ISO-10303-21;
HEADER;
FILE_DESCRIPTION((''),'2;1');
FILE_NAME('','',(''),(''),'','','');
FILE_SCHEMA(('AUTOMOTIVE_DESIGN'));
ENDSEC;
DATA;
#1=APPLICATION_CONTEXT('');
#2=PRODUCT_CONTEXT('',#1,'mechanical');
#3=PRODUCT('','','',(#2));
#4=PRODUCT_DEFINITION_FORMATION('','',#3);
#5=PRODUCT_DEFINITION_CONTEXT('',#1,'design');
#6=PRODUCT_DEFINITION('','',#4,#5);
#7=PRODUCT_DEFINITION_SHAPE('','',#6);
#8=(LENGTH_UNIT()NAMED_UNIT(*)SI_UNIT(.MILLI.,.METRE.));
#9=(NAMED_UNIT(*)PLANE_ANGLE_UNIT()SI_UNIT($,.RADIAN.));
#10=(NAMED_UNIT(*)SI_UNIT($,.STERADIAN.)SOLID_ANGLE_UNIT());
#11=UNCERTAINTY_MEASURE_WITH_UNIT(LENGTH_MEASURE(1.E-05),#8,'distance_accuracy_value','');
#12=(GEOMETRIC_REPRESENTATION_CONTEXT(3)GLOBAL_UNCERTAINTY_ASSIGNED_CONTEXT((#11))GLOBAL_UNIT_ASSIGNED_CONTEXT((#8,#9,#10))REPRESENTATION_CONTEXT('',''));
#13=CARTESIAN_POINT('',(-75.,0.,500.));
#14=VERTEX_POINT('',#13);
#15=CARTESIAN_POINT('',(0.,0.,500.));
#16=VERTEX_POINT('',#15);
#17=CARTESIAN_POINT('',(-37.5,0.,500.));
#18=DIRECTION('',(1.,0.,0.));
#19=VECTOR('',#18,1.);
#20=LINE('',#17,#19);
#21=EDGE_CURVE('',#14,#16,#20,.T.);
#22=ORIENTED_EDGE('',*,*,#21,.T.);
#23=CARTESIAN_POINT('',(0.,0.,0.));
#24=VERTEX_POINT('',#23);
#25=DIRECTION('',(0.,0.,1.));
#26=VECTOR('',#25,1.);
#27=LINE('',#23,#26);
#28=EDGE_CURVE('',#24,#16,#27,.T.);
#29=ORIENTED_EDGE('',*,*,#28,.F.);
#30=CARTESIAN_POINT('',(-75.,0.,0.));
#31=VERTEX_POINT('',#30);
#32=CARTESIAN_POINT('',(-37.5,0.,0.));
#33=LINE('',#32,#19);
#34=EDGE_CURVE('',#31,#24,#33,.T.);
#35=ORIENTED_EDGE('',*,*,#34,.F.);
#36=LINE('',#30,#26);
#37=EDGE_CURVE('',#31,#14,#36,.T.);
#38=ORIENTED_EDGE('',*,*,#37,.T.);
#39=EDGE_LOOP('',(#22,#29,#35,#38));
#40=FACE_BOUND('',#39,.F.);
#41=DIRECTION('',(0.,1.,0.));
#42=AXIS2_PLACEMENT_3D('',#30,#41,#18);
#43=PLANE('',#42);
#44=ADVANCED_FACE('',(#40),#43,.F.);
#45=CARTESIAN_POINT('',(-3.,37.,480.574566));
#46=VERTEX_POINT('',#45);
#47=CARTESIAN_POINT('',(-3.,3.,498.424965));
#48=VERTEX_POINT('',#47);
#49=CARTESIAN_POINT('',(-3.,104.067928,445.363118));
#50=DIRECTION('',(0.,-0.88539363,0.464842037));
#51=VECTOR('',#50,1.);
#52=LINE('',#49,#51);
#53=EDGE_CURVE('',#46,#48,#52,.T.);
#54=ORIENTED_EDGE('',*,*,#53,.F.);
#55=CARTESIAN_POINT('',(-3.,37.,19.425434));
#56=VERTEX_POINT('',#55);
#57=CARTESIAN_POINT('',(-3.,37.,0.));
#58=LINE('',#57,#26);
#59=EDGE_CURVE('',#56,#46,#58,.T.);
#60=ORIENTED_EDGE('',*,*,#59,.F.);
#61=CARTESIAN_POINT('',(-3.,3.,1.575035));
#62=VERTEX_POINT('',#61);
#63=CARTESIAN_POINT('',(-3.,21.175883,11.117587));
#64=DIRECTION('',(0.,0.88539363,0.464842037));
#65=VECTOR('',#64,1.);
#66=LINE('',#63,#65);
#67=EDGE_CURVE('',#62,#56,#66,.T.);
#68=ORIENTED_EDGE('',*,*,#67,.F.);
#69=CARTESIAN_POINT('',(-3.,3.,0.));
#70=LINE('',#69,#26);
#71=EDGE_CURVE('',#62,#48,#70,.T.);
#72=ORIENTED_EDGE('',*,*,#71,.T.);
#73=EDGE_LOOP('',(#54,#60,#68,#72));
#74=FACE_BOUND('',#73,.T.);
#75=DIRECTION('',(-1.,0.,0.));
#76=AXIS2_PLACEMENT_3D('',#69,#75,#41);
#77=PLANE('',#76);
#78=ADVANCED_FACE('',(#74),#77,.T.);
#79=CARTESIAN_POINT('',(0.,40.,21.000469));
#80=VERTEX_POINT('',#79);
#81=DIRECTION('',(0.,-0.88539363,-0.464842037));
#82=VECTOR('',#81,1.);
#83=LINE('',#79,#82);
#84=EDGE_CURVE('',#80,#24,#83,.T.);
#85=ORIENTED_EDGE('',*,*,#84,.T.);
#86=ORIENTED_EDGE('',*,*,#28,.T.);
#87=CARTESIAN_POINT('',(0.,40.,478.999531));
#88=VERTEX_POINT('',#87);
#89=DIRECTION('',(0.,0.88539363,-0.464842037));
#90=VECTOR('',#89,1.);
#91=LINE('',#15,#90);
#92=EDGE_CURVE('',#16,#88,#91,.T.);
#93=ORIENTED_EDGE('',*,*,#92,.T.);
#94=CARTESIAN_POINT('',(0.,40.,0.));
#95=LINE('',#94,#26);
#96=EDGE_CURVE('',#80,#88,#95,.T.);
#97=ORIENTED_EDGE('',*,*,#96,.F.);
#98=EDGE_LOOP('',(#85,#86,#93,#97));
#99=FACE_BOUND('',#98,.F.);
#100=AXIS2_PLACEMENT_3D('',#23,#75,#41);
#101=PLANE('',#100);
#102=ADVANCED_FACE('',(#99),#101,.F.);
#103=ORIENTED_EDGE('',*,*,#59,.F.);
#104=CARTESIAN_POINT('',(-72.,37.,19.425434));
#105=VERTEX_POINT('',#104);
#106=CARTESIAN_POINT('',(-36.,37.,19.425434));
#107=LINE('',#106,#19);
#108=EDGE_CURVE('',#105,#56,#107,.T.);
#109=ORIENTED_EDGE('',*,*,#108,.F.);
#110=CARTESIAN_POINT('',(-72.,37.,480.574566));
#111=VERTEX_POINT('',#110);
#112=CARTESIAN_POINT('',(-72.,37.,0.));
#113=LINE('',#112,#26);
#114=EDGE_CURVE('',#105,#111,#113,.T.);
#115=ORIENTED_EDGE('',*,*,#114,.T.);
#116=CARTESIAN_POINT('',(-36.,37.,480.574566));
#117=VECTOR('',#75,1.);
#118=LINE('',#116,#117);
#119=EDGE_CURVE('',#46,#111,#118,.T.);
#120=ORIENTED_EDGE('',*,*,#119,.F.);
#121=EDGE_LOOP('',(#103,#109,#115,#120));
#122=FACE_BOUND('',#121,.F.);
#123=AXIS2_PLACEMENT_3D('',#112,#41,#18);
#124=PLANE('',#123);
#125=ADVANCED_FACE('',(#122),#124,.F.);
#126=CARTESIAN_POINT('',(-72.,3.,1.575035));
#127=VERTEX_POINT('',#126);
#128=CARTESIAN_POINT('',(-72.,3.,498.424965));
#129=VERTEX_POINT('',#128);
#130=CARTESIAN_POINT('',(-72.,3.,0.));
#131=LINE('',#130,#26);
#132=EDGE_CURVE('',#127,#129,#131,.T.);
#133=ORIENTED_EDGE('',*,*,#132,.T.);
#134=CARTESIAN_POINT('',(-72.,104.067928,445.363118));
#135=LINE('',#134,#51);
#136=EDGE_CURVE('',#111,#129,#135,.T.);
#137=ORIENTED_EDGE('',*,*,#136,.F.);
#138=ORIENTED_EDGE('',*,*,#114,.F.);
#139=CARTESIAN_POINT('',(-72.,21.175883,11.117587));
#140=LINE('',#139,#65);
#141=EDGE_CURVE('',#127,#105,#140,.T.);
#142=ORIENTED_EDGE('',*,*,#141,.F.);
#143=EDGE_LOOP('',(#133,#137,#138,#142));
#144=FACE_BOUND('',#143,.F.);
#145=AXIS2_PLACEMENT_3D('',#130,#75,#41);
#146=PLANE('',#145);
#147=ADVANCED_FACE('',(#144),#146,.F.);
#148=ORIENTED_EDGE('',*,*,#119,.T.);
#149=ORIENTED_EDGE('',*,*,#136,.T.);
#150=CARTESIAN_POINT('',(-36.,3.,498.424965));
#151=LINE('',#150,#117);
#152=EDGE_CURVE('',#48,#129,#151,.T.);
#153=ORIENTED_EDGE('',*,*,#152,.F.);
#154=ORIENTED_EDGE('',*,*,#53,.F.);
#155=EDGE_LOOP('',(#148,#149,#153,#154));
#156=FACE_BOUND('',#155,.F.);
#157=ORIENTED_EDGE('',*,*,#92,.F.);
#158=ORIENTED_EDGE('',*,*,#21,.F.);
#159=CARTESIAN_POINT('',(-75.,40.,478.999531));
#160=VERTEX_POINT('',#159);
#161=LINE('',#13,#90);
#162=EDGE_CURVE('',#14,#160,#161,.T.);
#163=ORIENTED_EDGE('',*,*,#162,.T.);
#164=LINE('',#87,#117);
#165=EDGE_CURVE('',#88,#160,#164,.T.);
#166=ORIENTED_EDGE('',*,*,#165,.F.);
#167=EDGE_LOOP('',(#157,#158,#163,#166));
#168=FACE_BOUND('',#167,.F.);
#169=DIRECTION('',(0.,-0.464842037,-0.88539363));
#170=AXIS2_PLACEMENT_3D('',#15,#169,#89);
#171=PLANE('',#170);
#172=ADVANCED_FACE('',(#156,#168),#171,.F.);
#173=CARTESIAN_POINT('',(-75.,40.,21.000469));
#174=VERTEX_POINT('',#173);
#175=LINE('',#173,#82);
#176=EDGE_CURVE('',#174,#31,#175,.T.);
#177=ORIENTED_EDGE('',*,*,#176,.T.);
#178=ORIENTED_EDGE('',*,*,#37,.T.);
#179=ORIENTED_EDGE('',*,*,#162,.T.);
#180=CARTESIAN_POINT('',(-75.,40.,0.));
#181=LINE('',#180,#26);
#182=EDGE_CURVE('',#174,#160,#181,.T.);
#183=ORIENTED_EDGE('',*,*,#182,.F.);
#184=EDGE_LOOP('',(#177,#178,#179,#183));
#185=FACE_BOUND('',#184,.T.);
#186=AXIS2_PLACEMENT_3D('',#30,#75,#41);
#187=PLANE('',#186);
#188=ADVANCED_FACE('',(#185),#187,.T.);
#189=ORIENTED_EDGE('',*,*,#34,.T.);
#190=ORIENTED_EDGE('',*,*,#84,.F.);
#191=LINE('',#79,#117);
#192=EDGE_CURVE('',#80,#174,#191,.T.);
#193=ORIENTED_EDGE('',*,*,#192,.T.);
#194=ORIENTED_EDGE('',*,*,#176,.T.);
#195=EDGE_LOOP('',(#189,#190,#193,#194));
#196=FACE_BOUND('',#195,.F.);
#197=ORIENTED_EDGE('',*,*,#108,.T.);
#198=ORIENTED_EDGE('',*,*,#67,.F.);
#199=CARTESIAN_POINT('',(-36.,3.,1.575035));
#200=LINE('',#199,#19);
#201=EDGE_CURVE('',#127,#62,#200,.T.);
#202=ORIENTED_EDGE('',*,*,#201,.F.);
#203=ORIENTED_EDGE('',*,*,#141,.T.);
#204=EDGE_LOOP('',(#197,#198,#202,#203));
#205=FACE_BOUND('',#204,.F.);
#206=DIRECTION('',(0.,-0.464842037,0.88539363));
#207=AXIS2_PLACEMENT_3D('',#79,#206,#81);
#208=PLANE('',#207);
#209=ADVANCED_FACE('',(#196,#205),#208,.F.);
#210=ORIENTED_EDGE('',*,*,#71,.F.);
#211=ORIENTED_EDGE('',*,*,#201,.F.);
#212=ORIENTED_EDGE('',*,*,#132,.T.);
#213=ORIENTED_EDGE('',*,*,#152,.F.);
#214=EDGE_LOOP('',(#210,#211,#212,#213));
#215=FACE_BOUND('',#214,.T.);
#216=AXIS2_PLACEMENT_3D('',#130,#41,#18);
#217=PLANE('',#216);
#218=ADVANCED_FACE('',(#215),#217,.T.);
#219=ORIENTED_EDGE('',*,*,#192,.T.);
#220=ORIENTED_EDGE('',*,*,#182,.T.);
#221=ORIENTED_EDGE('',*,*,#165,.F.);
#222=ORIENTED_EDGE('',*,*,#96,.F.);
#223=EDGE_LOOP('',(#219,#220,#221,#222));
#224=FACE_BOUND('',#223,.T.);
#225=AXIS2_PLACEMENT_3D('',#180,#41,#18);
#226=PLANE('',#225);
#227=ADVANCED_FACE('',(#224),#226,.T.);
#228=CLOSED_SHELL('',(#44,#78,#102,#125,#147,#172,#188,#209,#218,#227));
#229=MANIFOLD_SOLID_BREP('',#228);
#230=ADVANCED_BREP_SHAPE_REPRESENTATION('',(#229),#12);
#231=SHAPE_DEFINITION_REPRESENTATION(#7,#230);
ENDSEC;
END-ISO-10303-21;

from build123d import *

# Parameters (mm, degrees)
F0_W     = 75
F0_H     = 40
F0_W_2   = 69
F0_H_2   = 34
F1_DEPTH = 500
F3_DEPTH = 75


with BuildPart() as f1:
    # F0 (on Top) → F1 (new body)
    with BuildSketch(Plane.XY):
        with Locations((-37.5, 20)):
            Rectangle(F0_W, F0_H)
        with Locations((-37.5, 20)):
            Rectangle(F0_W_2, F0_H_2, mode=Mode.SUBTRACT)
    extrude(amount=F1_DEPTH)

    # F2 (on face) → F3 (cut, through all)
    with BuildSketch(Plane.YZ):
        Polygon((40, 500), (0, 500), (40, 478.999531), align=None)
        Polygon((40, 21.000469), (0, 0), (40, 0), align=None)
    extrude(amount=-F3_DEPTH, mode=Mode.SUBTRACT)


solid = f1.part
